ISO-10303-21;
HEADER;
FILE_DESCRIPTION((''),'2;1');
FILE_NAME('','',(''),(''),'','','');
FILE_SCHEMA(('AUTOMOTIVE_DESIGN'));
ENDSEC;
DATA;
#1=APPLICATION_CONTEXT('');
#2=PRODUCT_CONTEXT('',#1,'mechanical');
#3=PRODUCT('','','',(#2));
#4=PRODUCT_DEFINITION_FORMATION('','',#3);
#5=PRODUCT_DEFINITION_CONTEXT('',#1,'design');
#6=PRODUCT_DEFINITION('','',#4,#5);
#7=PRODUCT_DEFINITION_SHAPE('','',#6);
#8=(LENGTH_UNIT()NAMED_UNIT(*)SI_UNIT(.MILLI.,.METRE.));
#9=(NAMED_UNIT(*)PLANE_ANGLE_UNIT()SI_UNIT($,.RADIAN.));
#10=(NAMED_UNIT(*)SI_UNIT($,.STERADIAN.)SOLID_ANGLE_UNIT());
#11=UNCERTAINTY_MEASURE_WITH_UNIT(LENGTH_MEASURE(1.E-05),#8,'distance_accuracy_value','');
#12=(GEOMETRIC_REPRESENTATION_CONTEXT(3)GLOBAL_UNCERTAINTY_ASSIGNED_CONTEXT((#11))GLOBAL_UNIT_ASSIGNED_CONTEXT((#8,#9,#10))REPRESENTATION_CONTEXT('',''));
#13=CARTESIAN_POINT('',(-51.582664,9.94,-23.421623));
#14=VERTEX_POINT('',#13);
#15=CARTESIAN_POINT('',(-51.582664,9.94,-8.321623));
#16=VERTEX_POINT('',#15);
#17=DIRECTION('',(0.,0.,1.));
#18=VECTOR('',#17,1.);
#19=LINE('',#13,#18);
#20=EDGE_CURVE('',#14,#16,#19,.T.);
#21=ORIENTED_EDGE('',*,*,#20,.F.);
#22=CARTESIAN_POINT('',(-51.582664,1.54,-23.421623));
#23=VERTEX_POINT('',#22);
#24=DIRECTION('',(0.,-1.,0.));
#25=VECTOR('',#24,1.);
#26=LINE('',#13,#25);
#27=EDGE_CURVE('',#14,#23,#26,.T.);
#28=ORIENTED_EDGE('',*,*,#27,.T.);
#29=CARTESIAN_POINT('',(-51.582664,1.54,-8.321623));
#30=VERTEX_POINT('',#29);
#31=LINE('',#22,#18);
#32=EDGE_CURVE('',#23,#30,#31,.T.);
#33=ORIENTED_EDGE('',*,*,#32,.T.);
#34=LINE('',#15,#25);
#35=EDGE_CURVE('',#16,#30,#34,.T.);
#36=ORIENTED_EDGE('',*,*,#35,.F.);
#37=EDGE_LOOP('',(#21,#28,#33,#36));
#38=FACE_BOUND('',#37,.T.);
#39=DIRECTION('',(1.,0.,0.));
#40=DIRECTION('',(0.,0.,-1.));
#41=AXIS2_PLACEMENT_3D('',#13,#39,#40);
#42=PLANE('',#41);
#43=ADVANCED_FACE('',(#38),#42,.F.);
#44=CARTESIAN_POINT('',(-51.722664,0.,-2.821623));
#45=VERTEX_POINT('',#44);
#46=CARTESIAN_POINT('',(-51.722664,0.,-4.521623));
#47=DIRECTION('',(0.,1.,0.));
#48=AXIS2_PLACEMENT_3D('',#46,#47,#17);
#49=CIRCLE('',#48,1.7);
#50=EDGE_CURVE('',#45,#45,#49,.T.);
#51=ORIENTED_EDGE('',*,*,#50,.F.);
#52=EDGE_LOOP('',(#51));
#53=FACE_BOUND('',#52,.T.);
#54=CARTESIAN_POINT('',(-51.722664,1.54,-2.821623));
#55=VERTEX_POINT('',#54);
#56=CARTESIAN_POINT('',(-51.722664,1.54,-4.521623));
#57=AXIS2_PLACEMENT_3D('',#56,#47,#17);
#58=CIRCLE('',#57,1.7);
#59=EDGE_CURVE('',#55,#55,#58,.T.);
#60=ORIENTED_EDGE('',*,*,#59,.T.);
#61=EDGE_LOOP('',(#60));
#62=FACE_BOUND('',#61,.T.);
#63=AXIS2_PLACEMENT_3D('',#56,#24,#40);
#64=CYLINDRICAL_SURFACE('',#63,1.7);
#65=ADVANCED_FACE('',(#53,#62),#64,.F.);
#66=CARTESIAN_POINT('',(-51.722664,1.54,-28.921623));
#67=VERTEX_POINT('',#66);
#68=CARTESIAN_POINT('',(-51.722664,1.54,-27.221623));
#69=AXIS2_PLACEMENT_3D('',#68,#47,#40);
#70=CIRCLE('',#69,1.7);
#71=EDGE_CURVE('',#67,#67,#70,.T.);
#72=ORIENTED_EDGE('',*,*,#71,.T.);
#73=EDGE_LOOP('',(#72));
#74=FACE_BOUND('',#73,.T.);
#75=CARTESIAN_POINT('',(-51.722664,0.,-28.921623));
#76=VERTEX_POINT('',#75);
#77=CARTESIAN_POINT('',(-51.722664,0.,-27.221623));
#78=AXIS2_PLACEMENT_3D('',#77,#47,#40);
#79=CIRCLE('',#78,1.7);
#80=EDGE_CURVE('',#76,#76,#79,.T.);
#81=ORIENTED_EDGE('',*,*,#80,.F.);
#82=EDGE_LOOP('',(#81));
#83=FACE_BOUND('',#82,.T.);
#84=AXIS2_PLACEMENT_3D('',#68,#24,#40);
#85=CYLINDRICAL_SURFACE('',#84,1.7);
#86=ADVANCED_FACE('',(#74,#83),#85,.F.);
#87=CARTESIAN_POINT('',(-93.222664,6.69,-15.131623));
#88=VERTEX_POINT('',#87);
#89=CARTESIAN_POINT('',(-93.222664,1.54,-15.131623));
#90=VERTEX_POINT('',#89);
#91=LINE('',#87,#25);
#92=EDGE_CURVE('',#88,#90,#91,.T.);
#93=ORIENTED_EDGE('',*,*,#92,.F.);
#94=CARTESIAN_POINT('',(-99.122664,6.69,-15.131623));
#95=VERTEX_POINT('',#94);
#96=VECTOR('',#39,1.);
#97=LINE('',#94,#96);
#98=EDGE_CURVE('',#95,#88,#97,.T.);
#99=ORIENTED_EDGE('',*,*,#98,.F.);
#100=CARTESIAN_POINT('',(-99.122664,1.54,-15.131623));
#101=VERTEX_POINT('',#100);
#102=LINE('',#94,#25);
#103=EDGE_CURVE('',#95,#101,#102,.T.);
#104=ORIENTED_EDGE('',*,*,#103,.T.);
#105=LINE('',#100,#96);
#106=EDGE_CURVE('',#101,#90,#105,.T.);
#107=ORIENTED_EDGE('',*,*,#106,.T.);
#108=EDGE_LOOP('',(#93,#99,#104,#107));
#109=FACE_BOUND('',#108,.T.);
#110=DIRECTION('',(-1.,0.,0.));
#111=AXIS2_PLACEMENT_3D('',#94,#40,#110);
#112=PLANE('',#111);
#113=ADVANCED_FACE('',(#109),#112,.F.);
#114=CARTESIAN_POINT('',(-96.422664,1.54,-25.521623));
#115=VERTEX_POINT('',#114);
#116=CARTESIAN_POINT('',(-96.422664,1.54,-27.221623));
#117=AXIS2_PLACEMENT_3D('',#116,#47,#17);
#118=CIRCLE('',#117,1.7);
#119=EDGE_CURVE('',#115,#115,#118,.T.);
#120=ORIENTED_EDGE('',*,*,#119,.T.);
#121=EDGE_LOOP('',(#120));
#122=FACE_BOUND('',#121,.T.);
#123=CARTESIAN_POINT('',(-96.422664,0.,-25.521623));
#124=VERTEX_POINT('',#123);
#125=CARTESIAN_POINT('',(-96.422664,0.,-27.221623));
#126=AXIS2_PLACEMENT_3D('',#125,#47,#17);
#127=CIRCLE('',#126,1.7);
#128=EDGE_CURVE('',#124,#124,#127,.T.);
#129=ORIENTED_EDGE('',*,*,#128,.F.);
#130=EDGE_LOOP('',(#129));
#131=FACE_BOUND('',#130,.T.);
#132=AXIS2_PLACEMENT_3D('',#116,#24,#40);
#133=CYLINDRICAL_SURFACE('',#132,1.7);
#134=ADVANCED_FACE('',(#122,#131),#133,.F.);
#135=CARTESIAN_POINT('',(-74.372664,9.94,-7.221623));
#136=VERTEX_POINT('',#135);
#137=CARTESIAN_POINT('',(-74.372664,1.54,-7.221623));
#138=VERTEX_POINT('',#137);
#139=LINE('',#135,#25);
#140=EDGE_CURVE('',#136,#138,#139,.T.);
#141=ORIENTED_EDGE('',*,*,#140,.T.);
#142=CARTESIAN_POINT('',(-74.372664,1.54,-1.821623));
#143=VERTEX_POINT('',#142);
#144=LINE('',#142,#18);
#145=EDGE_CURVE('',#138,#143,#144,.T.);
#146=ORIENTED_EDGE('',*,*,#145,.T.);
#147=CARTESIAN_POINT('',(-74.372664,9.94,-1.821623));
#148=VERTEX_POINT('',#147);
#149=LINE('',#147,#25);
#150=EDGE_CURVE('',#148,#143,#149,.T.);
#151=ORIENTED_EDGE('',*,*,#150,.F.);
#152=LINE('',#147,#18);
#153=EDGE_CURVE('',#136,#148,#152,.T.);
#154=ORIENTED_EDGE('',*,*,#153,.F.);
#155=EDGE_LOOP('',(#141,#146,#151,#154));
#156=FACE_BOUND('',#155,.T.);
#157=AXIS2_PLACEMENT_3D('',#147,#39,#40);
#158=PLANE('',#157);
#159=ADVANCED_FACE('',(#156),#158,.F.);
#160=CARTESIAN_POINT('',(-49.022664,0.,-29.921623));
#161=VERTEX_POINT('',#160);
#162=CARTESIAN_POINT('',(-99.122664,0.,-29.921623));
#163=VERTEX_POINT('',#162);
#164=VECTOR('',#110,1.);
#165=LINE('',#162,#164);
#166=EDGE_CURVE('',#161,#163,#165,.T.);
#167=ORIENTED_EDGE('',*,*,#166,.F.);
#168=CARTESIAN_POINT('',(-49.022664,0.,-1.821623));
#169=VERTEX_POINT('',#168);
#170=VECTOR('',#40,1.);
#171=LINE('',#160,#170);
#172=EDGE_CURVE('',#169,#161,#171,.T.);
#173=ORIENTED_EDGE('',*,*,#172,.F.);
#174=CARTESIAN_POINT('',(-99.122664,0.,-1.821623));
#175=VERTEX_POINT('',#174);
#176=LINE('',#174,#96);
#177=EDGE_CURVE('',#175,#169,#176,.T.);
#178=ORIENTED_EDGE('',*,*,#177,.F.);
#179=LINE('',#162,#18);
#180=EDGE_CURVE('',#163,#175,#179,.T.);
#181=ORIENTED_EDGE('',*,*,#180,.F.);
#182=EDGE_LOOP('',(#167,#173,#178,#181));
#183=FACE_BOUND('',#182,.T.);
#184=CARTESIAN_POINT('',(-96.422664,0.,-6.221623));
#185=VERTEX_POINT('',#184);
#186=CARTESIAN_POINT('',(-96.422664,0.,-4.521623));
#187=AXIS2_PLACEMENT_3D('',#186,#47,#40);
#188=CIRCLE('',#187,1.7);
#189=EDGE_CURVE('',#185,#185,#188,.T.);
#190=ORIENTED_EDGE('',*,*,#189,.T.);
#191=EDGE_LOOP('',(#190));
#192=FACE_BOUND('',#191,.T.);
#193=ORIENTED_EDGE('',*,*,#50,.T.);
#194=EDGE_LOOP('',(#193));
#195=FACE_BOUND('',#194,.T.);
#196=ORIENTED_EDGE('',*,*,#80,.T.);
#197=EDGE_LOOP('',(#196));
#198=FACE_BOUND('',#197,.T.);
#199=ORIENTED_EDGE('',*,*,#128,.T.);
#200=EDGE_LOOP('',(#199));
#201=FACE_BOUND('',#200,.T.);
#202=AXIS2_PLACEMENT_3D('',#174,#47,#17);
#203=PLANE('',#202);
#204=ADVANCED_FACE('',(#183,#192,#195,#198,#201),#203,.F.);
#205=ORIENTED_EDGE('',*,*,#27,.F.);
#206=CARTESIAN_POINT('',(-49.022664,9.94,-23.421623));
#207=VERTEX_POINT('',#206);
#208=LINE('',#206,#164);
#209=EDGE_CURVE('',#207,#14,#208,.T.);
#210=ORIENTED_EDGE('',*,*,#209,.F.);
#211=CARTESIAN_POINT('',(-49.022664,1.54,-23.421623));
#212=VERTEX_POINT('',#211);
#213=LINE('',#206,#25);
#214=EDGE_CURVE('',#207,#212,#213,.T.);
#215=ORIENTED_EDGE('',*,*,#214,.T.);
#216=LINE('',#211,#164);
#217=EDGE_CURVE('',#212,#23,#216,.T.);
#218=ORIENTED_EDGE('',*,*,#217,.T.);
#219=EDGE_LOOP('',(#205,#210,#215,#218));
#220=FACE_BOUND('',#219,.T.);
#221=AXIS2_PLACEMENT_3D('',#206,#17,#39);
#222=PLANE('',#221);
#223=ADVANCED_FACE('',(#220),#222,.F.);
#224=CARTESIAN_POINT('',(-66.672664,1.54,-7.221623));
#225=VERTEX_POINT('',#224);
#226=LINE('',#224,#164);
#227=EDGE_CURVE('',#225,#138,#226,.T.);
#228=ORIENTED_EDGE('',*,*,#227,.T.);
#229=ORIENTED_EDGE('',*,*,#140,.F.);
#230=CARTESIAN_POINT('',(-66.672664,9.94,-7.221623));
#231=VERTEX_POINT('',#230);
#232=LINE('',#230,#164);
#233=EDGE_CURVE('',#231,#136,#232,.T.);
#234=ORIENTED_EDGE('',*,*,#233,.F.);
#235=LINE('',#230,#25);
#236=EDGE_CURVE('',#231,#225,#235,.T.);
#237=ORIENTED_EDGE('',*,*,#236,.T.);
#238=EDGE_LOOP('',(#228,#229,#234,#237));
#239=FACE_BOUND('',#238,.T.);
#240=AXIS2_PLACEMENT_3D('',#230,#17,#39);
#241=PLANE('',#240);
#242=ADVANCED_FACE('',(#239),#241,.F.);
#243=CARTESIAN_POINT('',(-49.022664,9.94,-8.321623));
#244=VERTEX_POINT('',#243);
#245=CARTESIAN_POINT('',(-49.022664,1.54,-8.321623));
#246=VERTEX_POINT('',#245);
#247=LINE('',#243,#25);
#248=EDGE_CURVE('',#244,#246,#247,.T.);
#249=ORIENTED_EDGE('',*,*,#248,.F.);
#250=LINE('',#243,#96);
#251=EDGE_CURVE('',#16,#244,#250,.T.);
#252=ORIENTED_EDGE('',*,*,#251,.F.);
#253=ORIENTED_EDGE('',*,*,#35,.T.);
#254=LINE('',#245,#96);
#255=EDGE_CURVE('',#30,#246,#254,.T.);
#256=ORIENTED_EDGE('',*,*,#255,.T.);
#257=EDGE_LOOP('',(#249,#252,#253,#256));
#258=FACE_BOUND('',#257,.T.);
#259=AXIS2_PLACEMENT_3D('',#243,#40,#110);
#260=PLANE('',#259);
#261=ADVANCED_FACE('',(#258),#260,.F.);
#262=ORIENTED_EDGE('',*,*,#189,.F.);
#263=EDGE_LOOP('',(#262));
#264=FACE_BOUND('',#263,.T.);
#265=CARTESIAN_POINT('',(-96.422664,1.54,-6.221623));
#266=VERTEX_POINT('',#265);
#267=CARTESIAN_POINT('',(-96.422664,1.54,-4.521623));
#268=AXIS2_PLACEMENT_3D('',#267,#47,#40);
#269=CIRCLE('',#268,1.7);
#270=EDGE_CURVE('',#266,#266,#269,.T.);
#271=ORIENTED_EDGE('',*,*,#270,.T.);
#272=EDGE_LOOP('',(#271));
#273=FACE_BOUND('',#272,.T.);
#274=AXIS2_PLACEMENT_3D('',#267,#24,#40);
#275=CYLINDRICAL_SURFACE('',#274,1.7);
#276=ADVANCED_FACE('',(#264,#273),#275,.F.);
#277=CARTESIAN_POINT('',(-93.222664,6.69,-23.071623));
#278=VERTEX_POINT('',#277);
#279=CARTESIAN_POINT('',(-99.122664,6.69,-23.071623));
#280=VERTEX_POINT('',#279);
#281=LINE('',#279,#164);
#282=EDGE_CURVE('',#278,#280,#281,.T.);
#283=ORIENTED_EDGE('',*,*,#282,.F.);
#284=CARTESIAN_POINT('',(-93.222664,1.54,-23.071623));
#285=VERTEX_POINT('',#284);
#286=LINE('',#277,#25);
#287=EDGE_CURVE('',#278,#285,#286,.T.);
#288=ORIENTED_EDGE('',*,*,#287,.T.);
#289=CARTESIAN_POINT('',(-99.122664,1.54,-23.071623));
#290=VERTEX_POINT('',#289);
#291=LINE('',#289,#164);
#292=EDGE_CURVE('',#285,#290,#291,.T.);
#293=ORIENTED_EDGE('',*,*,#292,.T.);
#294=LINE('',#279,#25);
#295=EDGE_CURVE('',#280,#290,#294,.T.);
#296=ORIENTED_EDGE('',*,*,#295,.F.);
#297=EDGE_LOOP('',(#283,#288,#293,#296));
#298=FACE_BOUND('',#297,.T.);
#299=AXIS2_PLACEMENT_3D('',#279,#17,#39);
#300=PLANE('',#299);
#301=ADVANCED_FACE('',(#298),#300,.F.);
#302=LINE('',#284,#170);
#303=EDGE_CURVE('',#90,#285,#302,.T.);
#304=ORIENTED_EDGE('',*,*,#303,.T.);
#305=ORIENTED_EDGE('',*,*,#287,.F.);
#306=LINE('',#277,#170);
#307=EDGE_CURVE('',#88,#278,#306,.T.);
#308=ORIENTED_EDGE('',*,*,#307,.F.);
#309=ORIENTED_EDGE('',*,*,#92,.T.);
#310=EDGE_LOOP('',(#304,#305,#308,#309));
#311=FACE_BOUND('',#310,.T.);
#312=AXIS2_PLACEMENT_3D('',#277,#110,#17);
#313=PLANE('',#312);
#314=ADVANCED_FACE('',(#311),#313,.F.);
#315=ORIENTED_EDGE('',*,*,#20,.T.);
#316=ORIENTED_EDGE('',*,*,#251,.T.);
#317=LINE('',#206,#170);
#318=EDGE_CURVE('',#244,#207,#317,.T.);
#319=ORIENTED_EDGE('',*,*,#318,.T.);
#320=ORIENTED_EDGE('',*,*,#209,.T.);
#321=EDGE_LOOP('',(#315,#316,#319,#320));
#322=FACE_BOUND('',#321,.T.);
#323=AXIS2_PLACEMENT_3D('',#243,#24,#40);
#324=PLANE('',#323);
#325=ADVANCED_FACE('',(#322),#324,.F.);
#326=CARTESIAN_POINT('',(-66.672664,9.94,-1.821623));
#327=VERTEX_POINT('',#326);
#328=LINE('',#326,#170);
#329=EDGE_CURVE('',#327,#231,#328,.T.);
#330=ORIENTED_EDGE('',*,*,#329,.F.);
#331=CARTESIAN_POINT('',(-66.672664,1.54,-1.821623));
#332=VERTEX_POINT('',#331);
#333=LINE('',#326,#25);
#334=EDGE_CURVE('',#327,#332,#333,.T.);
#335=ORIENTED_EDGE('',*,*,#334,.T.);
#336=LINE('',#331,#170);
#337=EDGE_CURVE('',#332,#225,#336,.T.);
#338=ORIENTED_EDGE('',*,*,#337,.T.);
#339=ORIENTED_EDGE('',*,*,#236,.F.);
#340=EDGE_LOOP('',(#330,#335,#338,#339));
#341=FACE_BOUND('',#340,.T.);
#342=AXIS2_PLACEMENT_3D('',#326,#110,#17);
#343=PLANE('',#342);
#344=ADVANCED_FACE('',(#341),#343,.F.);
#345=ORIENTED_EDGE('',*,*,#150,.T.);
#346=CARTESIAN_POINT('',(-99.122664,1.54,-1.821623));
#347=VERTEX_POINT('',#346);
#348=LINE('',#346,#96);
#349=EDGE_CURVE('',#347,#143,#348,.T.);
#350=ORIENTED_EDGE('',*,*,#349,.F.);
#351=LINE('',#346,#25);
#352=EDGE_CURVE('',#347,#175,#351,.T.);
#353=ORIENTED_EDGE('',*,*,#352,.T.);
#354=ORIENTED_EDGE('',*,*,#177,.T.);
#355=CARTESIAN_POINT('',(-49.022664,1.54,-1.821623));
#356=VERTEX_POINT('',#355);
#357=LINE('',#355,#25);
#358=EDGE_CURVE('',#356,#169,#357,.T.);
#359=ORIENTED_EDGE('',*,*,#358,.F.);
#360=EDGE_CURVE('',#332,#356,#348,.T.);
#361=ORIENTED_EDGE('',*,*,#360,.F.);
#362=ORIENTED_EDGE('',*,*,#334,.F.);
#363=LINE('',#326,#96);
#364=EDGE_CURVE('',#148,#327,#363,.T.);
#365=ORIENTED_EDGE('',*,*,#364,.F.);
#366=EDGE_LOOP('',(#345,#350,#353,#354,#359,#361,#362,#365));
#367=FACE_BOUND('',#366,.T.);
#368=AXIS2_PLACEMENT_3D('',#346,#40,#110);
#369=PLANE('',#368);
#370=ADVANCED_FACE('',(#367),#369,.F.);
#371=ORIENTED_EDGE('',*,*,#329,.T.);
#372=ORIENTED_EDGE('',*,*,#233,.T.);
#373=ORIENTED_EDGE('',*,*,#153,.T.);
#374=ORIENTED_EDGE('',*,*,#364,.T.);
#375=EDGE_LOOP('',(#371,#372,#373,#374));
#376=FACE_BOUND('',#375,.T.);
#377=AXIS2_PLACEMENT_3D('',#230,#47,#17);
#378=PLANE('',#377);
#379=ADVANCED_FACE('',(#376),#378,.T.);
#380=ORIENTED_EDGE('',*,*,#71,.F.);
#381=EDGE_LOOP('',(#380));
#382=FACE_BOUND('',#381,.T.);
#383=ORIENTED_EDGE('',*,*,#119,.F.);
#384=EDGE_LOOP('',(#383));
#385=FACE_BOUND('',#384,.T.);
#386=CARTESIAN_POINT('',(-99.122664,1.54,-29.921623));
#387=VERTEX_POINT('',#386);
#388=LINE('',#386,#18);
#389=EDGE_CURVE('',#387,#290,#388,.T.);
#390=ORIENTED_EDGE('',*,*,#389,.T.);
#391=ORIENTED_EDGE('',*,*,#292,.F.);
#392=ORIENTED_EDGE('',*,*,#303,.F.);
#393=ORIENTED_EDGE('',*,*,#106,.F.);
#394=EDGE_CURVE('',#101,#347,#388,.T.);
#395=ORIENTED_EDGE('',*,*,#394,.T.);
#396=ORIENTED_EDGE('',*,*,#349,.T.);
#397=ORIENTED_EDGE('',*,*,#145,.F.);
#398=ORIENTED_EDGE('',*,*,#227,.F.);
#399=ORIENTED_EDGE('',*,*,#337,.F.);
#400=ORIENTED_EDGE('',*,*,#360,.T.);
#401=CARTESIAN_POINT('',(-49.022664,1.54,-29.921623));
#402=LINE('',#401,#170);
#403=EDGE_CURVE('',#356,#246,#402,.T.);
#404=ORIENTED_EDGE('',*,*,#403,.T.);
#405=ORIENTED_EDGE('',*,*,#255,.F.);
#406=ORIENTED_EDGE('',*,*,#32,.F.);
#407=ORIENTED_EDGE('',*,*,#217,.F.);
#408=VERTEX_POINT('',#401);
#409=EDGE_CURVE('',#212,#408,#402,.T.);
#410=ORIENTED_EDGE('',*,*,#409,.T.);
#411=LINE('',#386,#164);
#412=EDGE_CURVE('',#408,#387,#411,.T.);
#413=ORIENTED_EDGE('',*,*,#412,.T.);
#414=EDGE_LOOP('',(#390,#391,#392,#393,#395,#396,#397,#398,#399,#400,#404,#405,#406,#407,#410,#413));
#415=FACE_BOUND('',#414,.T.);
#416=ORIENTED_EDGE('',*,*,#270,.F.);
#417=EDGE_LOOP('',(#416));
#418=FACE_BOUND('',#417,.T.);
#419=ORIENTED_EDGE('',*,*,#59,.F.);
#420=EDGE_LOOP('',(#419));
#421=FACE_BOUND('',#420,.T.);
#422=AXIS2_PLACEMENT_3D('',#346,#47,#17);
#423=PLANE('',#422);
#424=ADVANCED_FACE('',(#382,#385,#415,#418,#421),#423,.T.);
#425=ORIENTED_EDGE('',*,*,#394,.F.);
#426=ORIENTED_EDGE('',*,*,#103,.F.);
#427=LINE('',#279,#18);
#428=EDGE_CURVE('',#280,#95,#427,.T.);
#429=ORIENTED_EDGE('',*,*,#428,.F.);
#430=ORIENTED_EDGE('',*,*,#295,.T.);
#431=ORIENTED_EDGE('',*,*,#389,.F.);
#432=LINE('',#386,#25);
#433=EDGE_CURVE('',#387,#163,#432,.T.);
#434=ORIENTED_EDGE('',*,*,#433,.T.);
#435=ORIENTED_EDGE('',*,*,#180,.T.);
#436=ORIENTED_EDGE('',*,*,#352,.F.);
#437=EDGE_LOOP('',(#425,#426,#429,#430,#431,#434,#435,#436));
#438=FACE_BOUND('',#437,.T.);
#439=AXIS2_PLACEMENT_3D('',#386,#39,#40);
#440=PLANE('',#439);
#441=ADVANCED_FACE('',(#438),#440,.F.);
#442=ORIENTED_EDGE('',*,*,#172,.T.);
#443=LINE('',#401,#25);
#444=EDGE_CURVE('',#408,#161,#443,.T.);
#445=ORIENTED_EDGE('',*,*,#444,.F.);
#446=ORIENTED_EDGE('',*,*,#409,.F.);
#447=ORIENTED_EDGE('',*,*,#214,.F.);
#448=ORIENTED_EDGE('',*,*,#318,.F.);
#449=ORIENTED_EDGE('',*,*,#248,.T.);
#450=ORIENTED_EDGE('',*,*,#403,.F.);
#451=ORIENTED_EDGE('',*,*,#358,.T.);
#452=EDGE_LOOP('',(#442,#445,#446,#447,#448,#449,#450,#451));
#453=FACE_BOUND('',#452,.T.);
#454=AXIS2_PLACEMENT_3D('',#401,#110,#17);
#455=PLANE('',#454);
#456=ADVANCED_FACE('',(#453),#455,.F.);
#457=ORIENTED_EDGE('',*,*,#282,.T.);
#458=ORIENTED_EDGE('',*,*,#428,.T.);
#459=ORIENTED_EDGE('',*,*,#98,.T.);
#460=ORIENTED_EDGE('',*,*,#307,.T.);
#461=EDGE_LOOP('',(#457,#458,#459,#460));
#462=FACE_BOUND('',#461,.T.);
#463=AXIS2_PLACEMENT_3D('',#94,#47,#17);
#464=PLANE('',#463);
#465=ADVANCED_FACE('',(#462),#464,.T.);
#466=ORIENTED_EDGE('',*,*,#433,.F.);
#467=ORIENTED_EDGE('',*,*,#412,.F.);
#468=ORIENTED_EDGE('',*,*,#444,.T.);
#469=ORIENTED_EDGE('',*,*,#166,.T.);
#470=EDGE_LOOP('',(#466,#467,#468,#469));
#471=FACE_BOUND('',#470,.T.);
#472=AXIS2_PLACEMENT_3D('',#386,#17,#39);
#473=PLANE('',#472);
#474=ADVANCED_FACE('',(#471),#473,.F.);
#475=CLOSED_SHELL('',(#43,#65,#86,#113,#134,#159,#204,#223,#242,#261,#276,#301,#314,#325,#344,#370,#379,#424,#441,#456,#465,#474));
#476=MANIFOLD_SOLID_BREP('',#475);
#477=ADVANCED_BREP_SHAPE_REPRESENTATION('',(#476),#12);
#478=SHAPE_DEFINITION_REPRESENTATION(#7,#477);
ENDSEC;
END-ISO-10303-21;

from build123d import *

# Parameters (mm, degrees)
SKETCH1_W      = 50.1
SKETCH1_H      = 28.1
SKETCH1_R      = 1.7
EXTRUDE1_DEPTH = 1.54
SKETCH2_W      = 2.56
SKETCH2_H      = 15.1
SKETCH2_W_2    = 7.7
SKETCH2_H_2    = 5.4
EXTRUDE3_DEPTH = 8.4
SKETCH3_W      = 5.9
SKETCH3_H      = 7.94
EXTRUDE4_DEPTH = 5.15


with BuildPart() as part:
    # Sketch1 → Extrude1 (new body)
    with BuildSketch(Plane(origin=(0, 0, 0), x_dir=(1, 0, 0), z_dir=(0, 1, 0))):
        with Locations((-74.07266419, 15.871623192)):
            Rectangle(SKETCH1_W, SKETCH1_H)
        with Locations(Location((-96.42266419, 27.221623192, 0), (0, 0, 270))):
            Circle(SKETCH1_R, mode=Mode.SUBTRACT)
        with Locations(Location((-51.72266419, 27.221623192, 0), (0, 0, 90))):
            Circle(SKETCH1_R, mode=Mode.SUBTRACT)
        with Locations(Location((-51.72266419, 4.521623192, 0), (0, 0, 270))):
            Circle(SKETCH1_R, mode=Mode.SUBTRACT)
        with Locations(Location((-96.42266419, 4.521623192, 0), (0, 0, 90))):
            Circle(SKETCH1_R, mode=Mode.SUBTRACT)
    extrude(amount=EXTRUDE1_DEPTH)

    # Sketch2 → Extrude3 (add)
    with BuildSketch(Plane(origin=(0, 1.54, 0), x_dir=(1, 0, 0), z_dir=(0, 1, 0))):
        with Locations((-50.30266419, 15.871623192)):
            Rectangle(SKETCH2_W, SKETCH2_H)
        with Locations((-70.52266419, 4.521623192)):
            Rectangle(SKETCH2_W_2, SKETCH2_H_2)
    extrude(amount=EXTRUDE3_DEPTH)

    # Sketch3 → Extrude4 (add)
    with BuildSketch(Plane(origin=(0, 1.54, 0), x_dir=(1, 0, 0), z_dir=(0, 1, 0))):
        with Locations((-96.17266419, 19.101623192)):
            Rectangle(SKETCH3_W, SKETCH3_H)
    extrude(amount=EXTRUDE4_DEPTH)


solid = part.part
